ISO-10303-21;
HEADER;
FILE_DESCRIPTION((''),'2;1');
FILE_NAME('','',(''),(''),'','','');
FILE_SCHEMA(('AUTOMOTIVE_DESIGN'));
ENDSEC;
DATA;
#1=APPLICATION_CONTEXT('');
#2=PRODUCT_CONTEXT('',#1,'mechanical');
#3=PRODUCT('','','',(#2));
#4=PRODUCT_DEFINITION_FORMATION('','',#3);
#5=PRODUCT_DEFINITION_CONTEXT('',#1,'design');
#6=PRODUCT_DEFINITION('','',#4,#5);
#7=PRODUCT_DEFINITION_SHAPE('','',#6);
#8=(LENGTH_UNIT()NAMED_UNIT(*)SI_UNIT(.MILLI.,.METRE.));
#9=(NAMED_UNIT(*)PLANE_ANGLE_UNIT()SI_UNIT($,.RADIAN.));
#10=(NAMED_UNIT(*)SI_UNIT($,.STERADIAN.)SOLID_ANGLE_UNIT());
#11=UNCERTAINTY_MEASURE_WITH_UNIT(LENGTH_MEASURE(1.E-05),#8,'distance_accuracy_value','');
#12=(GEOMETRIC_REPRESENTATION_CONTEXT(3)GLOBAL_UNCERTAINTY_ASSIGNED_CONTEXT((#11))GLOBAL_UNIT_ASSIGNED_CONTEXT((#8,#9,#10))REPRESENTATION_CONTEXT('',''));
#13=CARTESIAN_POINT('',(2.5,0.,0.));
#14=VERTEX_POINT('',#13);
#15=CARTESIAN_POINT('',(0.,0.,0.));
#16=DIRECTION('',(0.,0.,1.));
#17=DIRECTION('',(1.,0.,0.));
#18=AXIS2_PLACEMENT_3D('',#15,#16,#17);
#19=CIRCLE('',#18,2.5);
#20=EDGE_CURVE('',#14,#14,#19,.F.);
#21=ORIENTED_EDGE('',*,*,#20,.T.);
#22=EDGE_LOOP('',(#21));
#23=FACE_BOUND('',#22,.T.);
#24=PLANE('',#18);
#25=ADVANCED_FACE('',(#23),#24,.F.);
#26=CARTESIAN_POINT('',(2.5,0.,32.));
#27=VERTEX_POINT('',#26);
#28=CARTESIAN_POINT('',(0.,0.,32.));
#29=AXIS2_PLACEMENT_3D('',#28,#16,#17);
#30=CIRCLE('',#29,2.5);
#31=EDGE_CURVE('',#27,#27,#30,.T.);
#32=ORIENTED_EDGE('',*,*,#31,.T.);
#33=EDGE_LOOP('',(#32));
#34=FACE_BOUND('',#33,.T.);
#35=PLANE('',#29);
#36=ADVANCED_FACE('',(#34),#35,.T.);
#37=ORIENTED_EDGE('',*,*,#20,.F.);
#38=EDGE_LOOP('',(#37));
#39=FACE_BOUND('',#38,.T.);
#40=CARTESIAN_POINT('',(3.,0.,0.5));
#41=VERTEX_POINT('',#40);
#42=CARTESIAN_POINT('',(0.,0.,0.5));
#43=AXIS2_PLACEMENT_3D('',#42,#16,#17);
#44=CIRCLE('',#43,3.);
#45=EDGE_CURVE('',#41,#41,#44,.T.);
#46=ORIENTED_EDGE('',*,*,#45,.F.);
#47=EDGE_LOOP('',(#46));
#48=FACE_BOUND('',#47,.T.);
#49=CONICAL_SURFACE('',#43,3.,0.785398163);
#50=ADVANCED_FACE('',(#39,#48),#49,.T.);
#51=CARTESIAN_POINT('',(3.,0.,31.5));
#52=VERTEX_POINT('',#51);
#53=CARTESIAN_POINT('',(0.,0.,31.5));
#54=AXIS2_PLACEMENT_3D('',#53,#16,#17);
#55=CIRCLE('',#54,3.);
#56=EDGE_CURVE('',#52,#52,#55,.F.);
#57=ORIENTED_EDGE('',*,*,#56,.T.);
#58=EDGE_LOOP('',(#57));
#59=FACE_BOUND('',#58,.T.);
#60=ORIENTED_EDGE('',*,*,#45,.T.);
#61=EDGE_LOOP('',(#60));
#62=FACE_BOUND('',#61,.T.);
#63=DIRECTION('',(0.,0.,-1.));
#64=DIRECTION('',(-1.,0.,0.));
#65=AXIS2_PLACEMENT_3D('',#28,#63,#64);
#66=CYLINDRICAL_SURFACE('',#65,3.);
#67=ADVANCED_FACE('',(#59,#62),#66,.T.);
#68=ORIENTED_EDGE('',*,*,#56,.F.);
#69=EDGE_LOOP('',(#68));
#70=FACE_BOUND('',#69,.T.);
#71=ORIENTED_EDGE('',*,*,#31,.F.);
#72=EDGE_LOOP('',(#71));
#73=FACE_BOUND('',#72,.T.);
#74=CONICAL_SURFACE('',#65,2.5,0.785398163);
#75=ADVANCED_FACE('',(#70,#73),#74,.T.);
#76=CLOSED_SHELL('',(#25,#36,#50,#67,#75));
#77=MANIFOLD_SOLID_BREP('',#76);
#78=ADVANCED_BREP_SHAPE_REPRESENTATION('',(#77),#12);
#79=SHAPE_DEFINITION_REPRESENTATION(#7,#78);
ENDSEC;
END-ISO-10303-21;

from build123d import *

# Parameters (mm, degrees)
SKETCH_1_R      = 3
EXTRUDE_1_DEPTH = 32
CHAMFER_1_SIZE  = 0.5
CHAMFER_2_SIZE  = 0.5


with BuildPart() as part:
    # 草圖1 → 填料-伸長1 (new body)
    with BuildSketch(Plane.XY):
        Circle(SKETCH_1_R)
    extrude(amount=EXTRUDE_1_DEPTH)

    # 導角1
    chamfer_1_edges = [part.edges().sort_by_distance(p)[0] for p in [
        (-3, 0, 32),
    ]]
    chamfer(chamfer_1_edges, length=CHAMFER_1_SIZE)

    # 導角2
    chamfer_2_edges = [part.edges().sort_by_distance(p)[0] for p in [
        (-3, 0, 0),
    ]]
    chamfer(chamfer_2_edges, length=CHAMFER_2_SIZE)


solid = part.part
